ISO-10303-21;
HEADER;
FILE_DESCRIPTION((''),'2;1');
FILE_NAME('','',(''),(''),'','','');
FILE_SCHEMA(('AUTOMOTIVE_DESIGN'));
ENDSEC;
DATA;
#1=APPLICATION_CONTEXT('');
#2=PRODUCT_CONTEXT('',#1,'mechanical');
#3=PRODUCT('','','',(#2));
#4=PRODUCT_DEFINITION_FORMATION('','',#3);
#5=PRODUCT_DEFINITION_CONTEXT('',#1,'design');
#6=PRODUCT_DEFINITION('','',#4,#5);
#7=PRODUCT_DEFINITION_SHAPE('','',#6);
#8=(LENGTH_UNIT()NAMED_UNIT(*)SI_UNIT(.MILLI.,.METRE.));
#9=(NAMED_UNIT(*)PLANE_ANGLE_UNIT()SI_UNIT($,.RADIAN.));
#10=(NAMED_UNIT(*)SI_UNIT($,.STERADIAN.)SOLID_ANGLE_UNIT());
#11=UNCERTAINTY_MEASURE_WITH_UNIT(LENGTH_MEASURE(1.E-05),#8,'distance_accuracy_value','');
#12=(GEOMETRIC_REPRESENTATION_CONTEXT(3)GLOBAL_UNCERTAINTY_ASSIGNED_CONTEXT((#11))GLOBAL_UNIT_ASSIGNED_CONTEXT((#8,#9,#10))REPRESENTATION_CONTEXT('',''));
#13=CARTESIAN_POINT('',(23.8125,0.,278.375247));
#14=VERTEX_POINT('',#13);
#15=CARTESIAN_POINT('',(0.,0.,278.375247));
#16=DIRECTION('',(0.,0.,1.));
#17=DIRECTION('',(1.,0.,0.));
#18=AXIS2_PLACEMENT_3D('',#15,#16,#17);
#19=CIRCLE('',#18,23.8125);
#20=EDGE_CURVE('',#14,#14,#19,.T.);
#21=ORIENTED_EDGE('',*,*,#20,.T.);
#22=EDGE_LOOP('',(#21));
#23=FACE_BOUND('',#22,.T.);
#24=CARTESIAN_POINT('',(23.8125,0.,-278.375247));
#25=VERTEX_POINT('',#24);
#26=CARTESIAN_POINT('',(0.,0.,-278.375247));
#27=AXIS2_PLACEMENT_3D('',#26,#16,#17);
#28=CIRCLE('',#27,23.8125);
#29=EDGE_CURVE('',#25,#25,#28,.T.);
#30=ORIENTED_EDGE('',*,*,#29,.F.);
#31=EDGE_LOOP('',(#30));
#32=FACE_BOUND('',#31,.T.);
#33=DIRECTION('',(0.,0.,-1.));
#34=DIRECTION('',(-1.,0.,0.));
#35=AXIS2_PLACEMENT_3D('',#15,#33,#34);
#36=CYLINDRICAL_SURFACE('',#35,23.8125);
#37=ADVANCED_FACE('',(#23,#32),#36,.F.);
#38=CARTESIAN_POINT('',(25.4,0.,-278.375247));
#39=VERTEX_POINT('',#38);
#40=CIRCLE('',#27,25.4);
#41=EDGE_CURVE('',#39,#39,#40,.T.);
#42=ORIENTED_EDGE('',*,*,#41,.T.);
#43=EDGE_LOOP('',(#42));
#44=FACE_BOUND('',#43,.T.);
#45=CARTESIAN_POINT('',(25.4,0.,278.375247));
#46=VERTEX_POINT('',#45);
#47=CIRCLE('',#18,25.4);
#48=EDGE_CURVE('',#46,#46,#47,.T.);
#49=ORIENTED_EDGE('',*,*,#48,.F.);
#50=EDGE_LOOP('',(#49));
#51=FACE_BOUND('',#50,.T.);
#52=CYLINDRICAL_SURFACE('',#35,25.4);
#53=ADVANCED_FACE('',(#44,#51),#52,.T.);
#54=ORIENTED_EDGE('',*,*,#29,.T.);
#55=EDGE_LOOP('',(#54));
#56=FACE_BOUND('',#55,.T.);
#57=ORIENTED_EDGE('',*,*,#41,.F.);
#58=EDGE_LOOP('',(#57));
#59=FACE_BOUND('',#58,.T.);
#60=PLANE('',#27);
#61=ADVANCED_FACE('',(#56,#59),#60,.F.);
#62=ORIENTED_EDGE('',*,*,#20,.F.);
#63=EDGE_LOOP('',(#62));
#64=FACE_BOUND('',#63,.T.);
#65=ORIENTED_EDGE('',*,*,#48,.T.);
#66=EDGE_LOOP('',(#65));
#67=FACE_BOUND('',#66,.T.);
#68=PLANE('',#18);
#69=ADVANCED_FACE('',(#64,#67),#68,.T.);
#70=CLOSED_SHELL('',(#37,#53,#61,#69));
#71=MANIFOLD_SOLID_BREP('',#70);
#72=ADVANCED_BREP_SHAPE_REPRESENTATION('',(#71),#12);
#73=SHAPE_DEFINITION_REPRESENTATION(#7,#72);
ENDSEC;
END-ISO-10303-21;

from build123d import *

# Parameters (mm, degrees)
SKETCH1_R           = 25.4
SKETCH1_R_2         = 23.8125
BOSS_EXTRUDE1_DEPTH = 278.375247287


with BuildPart() as part:
    # Sketch1 → Boss-Extrude1 (new, symmetric)
    with BuildSketch(Plane.XY):
        Circle(SKETCH1_R)
        Circle(SKETCH1_R_2, mode=Mode.SUBTRACT)
    extrude(amount=BOSS_EXTRUDE1_DEPTH, both=True)


solid = part.part
